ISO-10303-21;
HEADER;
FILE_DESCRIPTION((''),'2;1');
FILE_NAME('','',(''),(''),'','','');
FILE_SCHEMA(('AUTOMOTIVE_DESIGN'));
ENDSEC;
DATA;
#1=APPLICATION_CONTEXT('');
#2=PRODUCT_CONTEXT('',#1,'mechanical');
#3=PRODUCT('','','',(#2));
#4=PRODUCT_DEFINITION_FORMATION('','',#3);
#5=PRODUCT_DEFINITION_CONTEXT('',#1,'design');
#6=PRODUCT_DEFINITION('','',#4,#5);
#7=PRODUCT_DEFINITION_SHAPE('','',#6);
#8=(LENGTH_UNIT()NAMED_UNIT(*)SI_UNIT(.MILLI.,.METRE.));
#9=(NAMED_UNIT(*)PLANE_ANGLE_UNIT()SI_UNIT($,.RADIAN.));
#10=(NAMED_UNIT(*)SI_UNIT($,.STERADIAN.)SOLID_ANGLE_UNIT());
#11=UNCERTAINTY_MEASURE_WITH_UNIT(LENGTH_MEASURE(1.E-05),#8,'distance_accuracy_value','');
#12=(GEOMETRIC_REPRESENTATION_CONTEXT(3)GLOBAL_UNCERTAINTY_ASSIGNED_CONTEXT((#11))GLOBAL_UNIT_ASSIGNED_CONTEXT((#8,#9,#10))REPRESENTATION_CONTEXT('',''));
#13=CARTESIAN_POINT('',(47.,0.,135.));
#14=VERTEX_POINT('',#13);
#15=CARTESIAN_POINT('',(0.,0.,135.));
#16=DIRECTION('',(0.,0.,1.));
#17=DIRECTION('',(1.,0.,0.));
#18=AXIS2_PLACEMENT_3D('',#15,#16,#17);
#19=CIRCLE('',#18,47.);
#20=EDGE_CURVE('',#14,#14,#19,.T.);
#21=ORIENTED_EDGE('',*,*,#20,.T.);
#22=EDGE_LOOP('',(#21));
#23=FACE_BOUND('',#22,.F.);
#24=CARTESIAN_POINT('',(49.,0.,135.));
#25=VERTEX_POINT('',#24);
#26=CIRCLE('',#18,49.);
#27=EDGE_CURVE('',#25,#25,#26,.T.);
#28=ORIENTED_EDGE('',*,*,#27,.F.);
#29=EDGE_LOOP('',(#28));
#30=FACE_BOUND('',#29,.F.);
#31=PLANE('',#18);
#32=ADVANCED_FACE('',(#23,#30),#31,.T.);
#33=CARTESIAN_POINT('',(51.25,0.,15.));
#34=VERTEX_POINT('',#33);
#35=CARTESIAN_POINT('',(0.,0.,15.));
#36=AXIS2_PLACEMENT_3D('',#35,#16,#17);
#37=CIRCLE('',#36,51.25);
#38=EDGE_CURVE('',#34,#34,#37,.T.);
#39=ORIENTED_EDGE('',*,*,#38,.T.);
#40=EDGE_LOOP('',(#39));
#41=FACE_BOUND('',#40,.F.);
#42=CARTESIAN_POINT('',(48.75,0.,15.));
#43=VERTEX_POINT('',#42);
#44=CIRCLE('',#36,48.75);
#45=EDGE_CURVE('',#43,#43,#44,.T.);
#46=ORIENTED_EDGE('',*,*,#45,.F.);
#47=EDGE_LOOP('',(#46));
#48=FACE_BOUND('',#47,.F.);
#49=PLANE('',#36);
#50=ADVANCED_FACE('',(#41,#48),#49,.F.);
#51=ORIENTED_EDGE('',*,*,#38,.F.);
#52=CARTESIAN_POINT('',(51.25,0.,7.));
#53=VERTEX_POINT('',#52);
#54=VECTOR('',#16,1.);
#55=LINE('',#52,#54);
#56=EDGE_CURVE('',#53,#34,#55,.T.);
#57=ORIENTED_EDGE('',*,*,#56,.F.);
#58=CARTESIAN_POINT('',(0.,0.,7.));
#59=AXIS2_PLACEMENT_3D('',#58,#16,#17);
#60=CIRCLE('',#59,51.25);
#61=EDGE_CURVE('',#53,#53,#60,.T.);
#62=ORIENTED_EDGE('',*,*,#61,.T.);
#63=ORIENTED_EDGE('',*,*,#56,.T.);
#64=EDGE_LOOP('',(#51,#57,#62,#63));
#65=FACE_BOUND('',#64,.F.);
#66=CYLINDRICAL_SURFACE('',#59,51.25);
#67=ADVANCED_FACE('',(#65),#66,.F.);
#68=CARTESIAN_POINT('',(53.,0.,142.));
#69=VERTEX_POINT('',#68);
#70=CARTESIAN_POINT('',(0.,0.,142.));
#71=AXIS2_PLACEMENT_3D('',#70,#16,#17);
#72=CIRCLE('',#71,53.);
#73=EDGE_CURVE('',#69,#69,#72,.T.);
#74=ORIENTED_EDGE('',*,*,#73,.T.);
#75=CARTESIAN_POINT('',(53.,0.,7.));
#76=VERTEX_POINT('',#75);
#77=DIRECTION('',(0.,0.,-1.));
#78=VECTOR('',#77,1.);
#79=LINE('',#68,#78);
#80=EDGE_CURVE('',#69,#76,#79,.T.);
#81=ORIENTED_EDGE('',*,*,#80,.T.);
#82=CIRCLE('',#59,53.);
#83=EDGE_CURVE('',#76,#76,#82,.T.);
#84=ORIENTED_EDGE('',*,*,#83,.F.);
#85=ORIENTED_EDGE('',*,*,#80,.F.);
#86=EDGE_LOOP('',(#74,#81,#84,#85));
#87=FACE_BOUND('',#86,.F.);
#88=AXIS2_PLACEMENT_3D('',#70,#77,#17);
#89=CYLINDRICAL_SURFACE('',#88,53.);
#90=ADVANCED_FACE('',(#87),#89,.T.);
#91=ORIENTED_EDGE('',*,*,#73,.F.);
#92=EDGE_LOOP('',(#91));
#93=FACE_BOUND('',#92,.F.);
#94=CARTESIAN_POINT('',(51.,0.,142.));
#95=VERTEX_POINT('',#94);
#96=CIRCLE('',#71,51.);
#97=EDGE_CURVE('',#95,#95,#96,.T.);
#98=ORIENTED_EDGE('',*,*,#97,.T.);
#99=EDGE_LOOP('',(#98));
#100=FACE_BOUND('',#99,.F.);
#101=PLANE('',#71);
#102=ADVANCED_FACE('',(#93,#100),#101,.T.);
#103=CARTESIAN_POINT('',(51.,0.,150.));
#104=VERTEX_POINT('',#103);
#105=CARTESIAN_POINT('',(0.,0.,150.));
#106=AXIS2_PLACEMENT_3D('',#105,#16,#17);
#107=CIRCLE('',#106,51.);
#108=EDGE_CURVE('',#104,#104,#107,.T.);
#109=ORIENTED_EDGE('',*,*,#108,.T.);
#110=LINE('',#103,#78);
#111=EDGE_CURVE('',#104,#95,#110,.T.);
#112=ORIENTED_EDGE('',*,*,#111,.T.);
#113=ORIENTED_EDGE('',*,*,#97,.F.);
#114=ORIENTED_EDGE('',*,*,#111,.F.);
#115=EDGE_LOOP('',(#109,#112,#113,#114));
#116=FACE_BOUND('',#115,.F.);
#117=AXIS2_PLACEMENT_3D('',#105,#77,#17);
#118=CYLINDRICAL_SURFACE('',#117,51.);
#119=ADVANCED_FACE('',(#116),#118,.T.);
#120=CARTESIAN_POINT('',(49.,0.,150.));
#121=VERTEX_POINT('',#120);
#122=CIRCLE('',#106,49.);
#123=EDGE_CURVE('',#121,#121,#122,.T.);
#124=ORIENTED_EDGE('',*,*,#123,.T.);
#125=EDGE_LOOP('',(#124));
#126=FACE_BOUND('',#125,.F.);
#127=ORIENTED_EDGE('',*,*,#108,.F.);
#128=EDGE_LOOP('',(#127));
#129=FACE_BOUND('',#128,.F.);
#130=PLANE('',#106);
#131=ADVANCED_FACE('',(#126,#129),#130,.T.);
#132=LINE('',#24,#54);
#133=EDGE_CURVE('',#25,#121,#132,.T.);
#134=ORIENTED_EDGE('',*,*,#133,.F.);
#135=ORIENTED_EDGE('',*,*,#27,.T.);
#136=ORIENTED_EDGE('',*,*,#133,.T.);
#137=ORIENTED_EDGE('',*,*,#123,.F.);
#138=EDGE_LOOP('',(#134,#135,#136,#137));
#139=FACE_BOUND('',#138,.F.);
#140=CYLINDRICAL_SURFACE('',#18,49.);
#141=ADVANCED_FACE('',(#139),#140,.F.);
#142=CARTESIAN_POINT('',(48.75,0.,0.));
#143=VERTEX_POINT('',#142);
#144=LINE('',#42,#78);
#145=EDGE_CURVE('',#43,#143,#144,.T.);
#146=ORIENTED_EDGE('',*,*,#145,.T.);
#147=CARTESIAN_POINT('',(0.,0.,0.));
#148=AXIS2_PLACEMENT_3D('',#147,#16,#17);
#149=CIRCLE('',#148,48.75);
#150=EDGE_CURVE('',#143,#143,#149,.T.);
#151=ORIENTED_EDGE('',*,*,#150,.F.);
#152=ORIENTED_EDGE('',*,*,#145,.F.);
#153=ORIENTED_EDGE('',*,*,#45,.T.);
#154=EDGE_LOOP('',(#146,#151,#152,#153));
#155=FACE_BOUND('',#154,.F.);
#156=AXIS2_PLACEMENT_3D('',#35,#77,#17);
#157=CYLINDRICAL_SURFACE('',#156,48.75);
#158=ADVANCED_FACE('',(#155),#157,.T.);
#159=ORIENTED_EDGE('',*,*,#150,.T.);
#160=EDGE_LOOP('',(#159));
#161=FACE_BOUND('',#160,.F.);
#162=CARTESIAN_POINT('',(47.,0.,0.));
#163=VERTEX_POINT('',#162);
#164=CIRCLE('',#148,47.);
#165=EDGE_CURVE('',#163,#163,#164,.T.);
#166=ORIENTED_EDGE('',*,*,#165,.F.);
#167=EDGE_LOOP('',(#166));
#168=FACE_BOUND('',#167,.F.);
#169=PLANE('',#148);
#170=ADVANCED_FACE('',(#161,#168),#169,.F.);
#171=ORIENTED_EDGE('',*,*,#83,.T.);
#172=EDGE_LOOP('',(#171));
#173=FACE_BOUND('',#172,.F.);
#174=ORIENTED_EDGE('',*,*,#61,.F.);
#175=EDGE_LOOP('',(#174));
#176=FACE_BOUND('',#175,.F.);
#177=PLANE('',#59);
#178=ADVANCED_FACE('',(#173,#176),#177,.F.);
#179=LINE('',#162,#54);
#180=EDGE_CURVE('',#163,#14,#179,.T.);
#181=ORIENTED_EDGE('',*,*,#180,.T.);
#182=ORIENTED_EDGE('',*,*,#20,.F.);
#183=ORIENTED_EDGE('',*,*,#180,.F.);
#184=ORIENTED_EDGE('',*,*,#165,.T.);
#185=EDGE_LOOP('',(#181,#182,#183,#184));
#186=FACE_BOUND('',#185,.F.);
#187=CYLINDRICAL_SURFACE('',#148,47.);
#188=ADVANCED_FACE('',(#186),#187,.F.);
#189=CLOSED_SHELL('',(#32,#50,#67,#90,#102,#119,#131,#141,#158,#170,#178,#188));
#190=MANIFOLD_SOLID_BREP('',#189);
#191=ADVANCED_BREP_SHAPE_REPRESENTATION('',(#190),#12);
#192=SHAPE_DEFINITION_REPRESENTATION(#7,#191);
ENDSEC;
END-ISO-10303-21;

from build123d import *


with BuildPart() as part:
    # Sketch → Revolution (revolve)
    with BuildSketch(Plane.XZ):
        Polygon((53, 7), (51.25, 7), (51.25, 15), (48.75, 15), (48.75, 0), (47, 0), (47, 135), (49, 135), (49, 150), (51, 150), (51, 142), (53, 142), align=None)
    revolve(axis=Axis((0, 0, 0), (0, 0, 1)))


solid = part.part
